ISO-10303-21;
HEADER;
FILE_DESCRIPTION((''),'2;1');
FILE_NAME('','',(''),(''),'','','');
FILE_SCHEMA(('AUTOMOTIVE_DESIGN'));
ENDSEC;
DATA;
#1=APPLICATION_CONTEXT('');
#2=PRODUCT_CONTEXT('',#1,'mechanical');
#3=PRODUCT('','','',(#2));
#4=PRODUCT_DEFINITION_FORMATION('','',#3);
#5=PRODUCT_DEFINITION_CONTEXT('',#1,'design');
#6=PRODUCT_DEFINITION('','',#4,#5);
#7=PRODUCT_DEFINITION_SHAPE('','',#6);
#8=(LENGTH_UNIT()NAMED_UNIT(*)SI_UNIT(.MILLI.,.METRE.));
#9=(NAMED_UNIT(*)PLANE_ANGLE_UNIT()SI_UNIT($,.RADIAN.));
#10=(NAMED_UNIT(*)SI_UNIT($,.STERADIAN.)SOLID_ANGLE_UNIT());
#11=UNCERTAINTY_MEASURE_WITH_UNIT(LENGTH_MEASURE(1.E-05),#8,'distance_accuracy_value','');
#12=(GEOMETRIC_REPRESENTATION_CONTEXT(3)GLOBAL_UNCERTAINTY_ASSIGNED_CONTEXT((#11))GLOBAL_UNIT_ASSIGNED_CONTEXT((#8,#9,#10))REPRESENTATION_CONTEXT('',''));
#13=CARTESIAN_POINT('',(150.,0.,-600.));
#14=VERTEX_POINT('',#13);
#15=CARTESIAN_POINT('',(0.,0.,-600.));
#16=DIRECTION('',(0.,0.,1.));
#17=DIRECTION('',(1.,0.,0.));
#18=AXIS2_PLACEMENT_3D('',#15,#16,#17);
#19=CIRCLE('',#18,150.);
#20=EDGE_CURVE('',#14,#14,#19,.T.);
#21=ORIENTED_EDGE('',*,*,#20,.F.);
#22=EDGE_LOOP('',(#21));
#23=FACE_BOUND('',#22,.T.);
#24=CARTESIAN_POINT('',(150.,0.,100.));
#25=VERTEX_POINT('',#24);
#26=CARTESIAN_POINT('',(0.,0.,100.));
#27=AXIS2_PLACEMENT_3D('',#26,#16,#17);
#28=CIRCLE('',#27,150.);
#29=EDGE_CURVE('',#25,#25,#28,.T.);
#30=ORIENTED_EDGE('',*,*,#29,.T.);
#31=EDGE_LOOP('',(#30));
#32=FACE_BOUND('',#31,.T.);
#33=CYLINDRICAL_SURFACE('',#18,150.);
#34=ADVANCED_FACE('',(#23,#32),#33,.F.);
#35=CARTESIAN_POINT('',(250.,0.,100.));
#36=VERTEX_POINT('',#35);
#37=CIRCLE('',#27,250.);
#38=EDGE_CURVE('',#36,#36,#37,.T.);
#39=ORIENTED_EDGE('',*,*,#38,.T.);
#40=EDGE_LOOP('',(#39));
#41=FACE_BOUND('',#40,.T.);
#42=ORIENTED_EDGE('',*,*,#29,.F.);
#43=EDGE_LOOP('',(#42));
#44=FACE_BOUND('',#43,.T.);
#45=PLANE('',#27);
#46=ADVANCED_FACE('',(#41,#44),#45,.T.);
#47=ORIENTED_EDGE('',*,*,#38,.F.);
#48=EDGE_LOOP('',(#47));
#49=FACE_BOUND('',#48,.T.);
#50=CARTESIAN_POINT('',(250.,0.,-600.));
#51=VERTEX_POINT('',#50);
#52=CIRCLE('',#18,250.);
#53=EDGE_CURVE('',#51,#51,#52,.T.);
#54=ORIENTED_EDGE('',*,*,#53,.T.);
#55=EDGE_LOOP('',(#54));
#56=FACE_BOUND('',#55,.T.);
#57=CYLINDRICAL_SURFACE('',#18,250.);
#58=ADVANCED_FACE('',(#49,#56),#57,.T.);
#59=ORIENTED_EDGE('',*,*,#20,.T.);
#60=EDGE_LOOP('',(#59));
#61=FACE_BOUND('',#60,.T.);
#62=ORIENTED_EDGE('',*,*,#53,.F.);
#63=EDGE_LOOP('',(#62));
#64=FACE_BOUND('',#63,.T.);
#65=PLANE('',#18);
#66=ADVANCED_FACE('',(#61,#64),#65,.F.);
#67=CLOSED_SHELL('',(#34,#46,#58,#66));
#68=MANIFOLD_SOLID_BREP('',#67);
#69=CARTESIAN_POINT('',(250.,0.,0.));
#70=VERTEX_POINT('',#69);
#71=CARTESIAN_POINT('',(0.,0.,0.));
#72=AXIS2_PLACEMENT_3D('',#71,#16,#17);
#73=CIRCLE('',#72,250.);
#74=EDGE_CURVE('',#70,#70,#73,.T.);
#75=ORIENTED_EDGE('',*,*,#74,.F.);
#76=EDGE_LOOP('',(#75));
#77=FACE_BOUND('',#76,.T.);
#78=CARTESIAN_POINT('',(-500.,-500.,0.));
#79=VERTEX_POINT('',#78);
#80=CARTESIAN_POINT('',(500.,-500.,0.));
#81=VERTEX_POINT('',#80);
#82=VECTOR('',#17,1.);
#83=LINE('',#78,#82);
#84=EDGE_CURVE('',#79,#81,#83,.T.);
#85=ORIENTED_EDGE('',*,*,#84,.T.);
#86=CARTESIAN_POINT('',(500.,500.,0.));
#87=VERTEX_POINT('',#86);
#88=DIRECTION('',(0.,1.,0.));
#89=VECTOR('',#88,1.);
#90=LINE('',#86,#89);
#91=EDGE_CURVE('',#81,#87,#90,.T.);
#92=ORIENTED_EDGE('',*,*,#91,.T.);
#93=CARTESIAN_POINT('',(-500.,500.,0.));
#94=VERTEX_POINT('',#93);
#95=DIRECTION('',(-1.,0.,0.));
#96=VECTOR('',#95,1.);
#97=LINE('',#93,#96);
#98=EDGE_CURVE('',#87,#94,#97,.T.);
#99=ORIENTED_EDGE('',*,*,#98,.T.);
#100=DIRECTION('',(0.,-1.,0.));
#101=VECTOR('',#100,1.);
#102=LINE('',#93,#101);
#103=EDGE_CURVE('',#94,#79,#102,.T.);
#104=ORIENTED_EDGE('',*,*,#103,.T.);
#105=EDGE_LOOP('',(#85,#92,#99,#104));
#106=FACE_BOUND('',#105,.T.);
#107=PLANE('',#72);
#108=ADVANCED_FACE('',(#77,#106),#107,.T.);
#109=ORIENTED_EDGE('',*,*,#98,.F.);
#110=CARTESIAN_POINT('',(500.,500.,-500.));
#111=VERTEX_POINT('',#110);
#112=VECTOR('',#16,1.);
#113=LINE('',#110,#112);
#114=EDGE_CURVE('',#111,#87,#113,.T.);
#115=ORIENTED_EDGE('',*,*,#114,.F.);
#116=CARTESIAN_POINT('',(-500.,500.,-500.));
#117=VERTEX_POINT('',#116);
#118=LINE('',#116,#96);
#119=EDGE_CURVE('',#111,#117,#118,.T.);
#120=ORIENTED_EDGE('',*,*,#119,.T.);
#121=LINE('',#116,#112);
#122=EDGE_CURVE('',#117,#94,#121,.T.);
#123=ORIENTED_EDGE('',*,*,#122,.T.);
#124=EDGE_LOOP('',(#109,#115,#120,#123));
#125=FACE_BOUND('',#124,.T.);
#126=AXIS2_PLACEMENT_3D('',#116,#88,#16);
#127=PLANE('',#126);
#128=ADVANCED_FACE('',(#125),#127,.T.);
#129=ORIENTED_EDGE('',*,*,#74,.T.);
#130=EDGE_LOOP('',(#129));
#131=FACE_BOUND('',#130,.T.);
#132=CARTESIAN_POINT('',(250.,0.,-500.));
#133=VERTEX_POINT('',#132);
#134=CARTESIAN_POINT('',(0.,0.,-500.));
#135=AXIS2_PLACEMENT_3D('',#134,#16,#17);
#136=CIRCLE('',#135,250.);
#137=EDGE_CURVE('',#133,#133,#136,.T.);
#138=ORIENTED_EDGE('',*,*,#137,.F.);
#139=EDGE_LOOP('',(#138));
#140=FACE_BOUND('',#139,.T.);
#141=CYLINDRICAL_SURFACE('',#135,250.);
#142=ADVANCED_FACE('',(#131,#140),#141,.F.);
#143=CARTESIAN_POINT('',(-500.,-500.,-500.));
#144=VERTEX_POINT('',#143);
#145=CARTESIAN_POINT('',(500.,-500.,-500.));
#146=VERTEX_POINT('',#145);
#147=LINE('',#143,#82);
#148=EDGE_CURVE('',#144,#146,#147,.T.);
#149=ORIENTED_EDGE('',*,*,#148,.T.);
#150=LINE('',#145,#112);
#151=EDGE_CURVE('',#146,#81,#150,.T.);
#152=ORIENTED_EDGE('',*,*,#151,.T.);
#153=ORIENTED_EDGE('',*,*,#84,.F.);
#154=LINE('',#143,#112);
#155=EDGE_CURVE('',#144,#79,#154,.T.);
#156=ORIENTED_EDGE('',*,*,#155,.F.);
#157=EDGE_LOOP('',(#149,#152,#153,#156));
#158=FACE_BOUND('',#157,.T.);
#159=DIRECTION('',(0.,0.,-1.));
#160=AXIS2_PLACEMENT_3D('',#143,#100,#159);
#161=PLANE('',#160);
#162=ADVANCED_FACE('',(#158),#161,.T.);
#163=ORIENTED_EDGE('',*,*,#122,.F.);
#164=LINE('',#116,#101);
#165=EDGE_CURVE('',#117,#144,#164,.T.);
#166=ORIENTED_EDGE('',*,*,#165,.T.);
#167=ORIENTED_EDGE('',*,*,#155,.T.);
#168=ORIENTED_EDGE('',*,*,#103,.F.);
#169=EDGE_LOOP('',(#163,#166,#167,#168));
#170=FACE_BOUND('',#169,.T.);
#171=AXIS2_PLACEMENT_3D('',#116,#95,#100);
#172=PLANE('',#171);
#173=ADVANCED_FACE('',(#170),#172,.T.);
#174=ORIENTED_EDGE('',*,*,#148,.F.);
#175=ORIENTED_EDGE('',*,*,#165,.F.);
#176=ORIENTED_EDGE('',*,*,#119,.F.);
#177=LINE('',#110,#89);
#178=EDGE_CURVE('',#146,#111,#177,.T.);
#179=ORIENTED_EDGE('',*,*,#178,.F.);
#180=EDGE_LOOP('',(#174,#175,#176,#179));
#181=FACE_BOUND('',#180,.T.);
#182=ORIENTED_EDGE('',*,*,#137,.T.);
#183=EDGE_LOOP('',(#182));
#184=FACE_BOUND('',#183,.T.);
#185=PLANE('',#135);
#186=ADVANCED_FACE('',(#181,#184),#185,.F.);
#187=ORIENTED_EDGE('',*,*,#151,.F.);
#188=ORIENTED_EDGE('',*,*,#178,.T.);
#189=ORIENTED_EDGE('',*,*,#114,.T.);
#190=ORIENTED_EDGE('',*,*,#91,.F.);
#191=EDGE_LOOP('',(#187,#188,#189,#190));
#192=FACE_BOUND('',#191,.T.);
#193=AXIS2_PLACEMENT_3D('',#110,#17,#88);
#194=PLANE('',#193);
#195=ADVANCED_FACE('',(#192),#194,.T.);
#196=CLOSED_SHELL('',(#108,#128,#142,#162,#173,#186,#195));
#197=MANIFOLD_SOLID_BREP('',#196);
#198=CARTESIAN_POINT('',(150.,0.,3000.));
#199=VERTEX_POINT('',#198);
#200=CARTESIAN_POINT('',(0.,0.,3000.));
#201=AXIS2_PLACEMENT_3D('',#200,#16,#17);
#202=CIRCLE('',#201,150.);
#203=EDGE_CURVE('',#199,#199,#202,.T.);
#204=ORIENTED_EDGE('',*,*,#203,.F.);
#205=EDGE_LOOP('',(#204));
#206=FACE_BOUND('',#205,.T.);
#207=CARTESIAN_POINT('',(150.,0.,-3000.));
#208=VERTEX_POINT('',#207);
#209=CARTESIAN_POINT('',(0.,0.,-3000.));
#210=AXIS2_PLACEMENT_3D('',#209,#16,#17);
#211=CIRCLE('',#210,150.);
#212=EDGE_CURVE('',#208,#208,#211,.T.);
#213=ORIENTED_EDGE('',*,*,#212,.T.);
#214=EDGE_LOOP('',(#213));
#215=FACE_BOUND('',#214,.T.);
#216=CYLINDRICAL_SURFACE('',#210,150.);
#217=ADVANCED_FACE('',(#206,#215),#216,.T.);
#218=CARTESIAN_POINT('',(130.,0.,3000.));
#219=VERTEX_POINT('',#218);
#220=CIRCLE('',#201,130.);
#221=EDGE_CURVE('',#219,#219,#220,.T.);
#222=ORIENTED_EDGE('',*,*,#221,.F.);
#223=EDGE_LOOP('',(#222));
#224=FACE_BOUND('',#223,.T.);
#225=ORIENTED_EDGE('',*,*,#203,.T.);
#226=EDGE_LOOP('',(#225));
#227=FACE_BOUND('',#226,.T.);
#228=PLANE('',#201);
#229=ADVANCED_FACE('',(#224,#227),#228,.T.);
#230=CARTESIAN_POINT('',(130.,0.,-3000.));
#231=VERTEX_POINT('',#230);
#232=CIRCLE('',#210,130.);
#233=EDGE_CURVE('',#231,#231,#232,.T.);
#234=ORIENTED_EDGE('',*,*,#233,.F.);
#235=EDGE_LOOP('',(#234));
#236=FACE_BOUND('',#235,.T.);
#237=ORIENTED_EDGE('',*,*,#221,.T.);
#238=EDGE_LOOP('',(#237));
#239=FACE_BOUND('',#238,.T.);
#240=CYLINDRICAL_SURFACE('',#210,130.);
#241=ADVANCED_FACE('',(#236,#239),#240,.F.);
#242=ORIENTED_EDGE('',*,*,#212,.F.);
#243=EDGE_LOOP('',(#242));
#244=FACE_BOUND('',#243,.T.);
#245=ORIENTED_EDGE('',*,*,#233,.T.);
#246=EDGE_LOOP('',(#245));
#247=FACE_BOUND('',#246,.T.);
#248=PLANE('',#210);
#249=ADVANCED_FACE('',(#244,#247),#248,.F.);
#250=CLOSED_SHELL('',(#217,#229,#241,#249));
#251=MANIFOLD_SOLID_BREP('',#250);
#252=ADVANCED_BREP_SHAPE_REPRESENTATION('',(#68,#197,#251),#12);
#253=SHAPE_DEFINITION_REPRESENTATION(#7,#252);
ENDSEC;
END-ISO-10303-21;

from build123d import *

# Parameters (mm, degrees)
SKETCH1_W           = 1000
SKETCH1_H           = 1000
SKETCH1_R           = 250
BOSS_EXTRUDE1_DEPTH = 500
SKETCH4_R           = 150
SKETCH4_R_2         = 130
SKETCH8_R           = 250
SKETCH8_R_2         = 150
BOSS_EXTRUDE3_DEPTH = 700


with BuildPart() as part:
    # Sketch1 → Boss-Extrude1 (new body)
    with BuildSketch(Plane.XY):
        Rectangle(SKETCH1_W, SKETCH1_H)
        Circle(SKETCH1_R, mode=Mode.SUBTRACT)
    extrude(amount=-BOSS_EXTRUDE1_DEPTH)


with BuildPart() as body_2:
    # Sweep-Thin3: sweep along a path in Sketch6
    with BuildLine(Plane(origin=(0, 0, 0), x_dir=(1, 0, 0), z_dir=(0, 1, 0))) as sweep_thin3_path:
        Line((0, -3000), (0, 3000))
    # Sketch4 → Sweep-Thin3 (sweep)
    with BuildSketch(Plane.XY.offset(3000)):
        Circle(SKETCH4_R)
        Circle(SKETCH4_R_2, mode=Mode.SUBTRACT)
    sweep(path=sweep_thin3_path.line)


with BuildPart() as body_3:
    # Sketch8 → Boss-Extrude3 (new body)
    with BuildSketch(Plane.XY.offset(100)):
        Circle(SKETCH8_R)
        Circle(SKETCH8_R_2, mode=Mode.SUBTRACT)
    extrude(amount=-BOSS_EXTRUDE3_DEPTH)


solid = Compound([part.part, body_2.part, body_3.part])
